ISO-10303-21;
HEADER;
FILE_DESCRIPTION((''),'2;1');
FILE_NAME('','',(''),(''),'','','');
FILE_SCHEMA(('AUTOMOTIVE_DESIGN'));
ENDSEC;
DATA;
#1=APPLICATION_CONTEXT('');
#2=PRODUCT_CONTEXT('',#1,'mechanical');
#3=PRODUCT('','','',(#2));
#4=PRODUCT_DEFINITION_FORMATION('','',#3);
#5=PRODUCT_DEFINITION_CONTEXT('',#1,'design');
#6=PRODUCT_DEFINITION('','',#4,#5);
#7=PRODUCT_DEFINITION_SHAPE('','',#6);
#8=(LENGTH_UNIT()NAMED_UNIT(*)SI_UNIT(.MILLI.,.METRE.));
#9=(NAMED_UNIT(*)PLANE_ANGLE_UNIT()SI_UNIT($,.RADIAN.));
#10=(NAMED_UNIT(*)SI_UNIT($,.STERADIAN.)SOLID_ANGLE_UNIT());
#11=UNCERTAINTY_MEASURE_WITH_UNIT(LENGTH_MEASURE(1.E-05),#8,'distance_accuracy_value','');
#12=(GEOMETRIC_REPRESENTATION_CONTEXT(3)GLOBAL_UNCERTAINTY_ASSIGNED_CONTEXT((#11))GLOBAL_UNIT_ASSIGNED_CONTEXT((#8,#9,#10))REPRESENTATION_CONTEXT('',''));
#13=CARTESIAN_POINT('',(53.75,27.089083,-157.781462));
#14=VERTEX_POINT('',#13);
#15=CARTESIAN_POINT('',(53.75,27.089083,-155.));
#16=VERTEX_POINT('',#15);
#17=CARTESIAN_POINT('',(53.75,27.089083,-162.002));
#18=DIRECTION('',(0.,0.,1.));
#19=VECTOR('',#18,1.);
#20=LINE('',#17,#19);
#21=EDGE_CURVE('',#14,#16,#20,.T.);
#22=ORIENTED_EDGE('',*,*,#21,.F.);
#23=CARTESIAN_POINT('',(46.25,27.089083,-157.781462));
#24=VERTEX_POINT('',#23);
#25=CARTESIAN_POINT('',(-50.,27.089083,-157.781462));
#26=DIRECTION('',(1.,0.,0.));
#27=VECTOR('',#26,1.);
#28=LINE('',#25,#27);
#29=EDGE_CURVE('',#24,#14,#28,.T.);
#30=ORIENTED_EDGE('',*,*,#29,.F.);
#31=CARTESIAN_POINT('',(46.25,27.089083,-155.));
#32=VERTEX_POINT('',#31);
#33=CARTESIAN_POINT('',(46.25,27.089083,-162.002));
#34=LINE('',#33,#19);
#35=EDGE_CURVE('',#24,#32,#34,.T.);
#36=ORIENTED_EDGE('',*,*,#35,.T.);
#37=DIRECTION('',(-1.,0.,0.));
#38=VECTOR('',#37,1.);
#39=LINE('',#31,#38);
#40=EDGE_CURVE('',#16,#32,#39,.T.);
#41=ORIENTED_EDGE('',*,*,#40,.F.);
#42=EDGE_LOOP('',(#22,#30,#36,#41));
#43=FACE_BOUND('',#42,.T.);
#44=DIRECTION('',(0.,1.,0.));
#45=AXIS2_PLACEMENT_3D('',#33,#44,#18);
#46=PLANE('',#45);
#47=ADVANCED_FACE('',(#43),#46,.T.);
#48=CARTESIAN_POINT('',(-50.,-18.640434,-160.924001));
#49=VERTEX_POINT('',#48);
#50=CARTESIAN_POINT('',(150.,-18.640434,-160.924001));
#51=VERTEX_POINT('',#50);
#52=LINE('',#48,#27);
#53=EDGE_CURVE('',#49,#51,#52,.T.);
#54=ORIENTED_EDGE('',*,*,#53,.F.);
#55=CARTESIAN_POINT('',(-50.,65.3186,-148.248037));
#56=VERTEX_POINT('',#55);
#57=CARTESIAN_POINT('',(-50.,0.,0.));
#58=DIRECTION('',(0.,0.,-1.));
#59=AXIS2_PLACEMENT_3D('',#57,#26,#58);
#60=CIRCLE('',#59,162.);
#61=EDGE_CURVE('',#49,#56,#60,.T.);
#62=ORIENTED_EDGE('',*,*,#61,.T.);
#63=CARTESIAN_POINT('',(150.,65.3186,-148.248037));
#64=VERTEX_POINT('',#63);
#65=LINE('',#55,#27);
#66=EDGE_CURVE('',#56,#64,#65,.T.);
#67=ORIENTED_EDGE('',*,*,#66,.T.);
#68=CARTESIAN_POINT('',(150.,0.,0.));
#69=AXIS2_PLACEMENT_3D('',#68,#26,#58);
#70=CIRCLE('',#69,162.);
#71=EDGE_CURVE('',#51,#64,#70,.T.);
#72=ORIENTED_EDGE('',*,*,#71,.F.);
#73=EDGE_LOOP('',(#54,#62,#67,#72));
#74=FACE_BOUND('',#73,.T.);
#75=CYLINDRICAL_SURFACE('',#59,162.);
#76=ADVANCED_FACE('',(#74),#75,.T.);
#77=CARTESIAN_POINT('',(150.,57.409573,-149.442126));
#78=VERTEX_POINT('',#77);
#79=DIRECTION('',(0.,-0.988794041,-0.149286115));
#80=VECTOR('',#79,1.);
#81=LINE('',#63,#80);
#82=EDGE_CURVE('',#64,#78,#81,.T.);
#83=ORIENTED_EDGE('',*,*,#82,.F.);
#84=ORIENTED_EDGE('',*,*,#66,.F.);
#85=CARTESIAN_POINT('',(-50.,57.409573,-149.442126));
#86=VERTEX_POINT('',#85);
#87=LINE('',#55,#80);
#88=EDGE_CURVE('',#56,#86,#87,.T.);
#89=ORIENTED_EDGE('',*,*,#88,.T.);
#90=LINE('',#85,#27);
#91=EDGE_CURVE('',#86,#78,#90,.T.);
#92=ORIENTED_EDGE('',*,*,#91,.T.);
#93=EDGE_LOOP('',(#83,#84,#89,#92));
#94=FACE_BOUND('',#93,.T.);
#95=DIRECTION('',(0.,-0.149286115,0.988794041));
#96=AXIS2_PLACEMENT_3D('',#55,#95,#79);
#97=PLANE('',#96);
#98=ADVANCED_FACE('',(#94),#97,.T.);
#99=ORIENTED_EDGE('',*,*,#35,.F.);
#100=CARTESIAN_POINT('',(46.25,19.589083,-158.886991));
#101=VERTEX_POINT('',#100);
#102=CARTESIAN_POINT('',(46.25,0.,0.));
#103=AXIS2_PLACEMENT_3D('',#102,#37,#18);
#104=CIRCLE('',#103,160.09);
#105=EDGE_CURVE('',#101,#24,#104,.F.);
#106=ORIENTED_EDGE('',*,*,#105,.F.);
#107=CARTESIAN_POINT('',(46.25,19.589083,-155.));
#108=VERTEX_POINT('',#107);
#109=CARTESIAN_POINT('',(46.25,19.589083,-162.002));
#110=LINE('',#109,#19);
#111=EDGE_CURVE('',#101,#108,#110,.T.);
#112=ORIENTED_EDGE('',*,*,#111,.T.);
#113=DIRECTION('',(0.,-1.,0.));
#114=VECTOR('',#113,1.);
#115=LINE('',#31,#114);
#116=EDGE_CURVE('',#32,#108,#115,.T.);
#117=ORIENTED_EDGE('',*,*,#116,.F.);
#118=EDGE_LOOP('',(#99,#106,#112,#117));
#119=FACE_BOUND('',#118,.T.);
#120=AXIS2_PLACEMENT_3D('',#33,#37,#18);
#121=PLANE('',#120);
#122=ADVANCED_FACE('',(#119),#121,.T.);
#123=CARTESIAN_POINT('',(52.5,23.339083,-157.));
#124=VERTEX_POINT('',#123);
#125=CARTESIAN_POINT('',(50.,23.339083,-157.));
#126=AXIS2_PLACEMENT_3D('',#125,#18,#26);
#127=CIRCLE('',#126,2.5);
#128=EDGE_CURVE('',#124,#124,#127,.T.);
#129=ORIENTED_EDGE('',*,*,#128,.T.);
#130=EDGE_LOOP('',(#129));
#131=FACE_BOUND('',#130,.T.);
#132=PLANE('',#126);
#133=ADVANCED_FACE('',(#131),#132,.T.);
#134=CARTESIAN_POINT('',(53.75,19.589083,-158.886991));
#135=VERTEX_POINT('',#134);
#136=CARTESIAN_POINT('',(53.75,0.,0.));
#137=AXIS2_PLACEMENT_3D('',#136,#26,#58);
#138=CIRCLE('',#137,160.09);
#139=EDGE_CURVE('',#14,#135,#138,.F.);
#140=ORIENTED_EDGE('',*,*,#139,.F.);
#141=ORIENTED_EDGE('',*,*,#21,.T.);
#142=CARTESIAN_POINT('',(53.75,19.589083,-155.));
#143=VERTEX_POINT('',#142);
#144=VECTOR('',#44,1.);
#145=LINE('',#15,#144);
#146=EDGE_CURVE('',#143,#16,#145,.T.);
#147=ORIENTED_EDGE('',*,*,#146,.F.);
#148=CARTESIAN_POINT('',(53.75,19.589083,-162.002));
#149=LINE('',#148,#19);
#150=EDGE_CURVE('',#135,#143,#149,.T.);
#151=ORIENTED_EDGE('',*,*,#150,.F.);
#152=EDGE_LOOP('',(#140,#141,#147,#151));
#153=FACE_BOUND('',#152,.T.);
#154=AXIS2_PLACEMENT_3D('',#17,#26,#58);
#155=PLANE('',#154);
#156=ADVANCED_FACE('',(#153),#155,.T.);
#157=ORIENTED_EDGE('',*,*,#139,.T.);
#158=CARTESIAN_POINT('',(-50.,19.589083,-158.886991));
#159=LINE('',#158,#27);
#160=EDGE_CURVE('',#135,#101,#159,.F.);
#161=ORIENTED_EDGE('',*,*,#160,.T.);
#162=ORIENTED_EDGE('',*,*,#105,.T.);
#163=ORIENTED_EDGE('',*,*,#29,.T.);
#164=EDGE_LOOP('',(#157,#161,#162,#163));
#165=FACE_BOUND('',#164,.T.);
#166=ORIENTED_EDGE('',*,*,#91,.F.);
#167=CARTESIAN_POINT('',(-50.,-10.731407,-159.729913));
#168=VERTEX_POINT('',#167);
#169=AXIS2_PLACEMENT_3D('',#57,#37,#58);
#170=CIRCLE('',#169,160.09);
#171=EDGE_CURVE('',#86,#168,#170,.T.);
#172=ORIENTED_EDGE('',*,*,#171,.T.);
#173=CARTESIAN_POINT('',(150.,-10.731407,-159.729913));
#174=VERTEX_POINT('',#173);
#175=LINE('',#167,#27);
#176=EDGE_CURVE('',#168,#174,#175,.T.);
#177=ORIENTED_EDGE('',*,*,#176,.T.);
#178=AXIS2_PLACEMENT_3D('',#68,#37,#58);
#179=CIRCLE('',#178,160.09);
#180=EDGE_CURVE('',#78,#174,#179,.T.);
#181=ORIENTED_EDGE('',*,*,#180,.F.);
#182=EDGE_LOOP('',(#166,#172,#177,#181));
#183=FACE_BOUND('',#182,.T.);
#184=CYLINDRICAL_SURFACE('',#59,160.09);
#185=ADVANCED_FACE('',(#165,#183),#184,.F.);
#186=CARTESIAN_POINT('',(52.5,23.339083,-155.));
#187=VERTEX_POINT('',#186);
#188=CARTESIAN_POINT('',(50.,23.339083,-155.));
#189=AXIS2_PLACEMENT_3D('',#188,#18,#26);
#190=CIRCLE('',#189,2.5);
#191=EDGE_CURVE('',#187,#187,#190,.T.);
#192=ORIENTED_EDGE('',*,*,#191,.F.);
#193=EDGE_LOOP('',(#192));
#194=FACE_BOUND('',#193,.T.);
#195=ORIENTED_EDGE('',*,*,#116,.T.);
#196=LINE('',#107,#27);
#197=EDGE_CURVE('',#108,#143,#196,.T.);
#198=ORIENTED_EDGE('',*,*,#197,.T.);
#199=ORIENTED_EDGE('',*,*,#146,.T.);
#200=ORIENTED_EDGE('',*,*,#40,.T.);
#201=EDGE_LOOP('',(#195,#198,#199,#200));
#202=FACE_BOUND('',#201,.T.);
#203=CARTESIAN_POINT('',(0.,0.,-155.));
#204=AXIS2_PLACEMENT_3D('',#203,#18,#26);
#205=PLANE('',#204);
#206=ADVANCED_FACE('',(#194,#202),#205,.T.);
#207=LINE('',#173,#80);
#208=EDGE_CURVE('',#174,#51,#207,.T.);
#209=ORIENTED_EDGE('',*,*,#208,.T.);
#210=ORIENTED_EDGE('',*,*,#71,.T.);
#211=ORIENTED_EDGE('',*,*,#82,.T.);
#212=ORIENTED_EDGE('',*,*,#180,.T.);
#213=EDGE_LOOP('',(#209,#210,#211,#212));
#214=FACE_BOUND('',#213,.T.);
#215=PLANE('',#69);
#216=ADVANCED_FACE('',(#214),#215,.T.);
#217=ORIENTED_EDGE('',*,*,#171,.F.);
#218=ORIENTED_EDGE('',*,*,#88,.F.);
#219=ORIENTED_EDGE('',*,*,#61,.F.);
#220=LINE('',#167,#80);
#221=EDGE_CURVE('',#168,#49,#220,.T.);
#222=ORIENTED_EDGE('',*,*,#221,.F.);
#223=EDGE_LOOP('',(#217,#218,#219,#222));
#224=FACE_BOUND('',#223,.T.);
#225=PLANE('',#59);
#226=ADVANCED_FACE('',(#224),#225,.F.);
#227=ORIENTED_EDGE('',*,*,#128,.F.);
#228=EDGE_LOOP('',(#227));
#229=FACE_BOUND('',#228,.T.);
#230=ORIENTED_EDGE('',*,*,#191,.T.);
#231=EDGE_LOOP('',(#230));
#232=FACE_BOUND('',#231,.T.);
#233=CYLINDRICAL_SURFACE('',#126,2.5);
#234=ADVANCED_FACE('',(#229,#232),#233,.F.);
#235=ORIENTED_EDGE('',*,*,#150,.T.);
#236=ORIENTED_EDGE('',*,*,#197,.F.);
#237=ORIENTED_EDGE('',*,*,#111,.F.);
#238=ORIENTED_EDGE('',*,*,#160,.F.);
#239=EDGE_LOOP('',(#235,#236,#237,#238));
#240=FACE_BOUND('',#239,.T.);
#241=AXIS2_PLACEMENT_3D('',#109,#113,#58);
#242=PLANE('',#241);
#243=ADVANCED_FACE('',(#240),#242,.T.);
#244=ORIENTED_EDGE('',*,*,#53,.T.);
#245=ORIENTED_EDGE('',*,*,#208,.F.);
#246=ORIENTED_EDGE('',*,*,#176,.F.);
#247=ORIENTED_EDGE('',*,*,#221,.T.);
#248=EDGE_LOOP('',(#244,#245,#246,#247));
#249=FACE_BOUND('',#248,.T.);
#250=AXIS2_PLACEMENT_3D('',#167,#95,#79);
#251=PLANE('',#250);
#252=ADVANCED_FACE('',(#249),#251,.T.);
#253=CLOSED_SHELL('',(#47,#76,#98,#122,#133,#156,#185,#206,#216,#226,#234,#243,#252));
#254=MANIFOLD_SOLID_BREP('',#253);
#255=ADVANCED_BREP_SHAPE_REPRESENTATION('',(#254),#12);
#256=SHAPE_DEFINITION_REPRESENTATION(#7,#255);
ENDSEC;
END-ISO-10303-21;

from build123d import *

# Parameters (mm, degrees)
BOSS_EXTRUDE2_DEPTH      = 150
BOSS_EXTRUDE2_DEPTH_BACK = 50
BOSS_EXTRUDE3_REACH      = 387.24
BOSS_EXTRUDE3_END_RADIUS = 160.09
BOSS_EXTRUDE3_START      = -155
SKETCH2_W                = 7.5
SKETCH2_H                = 7.5
SKETCH3_R                = 2.5
CUT_EXTRUDE1_DEPTH       = 2


with BuildPart() as part:
    # Sketch1 → Boss-Extrude2 (new, two sides: drawn at the far end of the back side and taken through both)
    with BuildSketch(Plane(origin=(0, 0, 0), x_dir=(0, 0, -1), z_dir=(1, 0, 0)).offset(-BOSS_EXTRUDE2_DEPTH_BACK)):
        with BuildLine():
            Line((148.248037227, 65.318599636), (149.44212598, 57.409573092))
            ThreePointArc((149.44212598, 57.409573092), (158.29603806, 23.899214101), (159.729912673, -10.731407065))
            Line((159.729912673, -10.731407065), (160.924001426, -18.640433609))
            ThreePointArc((160.924001426, -18.640433609), (160.184634678, 24.18435058), (148.248037227, 65.318599636))
        make_face()
    extrude(amount=BOSS_EXTRUDE2_DEPTH + BOSS_EXTRUDE2_DEPTH_BACK)

    # Boss-Extrude3: up to this cylinder (the profile starts inside it)
    boss_extrude3_end = Plane(origin=(50, 0, 0), z_dir=(1, 0, 0)) * Cylinder(BOSS_EXTRUDE3_END_RADIUS, 1095.66, mode=Mode.PRIVATE)
    # Sketch2 → Boss-Extrude3 (add, up to the surface)
    with BuildSketch(Plane.XY.offset(BOSS_EXTRUDE3_START), mode=Mode.PRIVATE) as boss_extrude3_sk1:
        with Locations((50, 23.339083013)):
            Rectangle(SKETCH2_W, SKETCH2_H)
    boss_extrude3_tool1 = extrude(boss_extrude3_sk1.sketch, amount=-BOSS_EXTRUDE3_REACH, mode=Mode.PRIVATE) & boss_extrude3_end
    add(boss_extrude3_tool1.solids().sort_by_distance((50, 23.339083, -155))[0])

    # Sketch3 → Cut-Extrude1 (cut)
    with BuildSketch(Plane.XY.offset(-155)):
        with Locations((50, 23.339083013)):
            Circle(SKETCH3_R)
    extrude(amount=-CUT_EXTRUDE1_DEPTH, mode=Mode.SUBTRACT)


solid = part.part
